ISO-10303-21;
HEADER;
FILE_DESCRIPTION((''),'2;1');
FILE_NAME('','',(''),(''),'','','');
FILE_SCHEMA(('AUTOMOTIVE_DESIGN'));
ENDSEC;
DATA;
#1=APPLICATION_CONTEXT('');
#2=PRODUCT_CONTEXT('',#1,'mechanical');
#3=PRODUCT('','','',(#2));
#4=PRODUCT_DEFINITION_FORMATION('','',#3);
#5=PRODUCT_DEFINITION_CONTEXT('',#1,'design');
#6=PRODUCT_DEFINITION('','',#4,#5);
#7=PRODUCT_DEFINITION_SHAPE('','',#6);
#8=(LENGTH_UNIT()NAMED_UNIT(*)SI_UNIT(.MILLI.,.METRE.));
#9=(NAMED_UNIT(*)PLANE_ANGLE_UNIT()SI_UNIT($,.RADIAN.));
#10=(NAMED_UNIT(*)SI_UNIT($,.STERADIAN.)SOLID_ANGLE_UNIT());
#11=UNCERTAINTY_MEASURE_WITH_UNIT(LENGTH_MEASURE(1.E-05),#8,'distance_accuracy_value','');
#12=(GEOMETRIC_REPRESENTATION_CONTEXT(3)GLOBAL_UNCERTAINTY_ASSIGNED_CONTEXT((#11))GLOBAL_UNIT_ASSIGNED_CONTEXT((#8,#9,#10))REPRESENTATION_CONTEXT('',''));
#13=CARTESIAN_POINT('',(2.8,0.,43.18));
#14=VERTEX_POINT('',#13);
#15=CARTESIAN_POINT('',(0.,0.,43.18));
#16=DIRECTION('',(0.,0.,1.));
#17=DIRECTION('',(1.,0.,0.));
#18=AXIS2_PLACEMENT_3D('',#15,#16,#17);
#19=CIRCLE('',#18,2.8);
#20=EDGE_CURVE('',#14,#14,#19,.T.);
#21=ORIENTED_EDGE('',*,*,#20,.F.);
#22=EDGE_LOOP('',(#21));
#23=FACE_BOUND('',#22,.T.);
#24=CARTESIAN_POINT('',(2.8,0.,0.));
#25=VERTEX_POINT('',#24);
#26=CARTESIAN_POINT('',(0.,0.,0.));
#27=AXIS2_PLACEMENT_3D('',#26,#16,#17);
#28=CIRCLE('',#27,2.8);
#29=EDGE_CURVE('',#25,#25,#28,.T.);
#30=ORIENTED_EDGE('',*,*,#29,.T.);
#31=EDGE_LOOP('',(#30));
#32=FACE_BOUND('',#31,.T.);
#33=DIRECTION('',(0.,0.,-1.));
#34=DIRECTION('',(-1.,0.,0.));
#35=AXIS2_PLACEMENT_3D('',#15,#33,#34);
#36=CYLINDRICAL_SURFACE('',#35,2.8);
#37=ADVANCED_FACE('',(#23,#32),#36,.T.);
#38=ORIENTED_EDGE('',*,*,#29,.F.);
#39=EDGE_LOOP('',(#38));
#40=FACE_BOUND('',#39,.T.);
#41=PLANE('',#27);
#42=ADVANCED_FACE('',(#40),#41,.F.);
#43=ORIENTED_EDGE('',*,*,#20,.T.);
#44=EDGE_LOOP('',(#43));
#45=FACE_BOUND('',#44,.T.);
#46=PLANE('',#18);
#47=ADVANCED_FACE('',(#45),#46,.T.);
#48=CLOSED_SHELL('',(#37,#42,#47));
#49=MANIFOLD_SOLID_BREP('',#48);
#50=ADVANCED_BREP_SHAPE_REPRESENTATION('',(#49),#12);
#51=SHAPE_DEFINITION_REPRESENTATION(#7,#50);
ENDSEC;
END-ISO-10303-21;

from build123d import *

# Parameters (mm, degrees)
SKETCH1_R           = 2.8
BOSS_EXTRUDE1_DEPTH = 43.18


with BuildPart() as part:
    # Sketch1 → Boss-Extrude1 (new body)
    with BuildSketch(Plane.XY):
        Circle(SKETCH1_R)
    extrude(amount=BOSS_EXTRUDE1_DEPTH)


solid = part.part
